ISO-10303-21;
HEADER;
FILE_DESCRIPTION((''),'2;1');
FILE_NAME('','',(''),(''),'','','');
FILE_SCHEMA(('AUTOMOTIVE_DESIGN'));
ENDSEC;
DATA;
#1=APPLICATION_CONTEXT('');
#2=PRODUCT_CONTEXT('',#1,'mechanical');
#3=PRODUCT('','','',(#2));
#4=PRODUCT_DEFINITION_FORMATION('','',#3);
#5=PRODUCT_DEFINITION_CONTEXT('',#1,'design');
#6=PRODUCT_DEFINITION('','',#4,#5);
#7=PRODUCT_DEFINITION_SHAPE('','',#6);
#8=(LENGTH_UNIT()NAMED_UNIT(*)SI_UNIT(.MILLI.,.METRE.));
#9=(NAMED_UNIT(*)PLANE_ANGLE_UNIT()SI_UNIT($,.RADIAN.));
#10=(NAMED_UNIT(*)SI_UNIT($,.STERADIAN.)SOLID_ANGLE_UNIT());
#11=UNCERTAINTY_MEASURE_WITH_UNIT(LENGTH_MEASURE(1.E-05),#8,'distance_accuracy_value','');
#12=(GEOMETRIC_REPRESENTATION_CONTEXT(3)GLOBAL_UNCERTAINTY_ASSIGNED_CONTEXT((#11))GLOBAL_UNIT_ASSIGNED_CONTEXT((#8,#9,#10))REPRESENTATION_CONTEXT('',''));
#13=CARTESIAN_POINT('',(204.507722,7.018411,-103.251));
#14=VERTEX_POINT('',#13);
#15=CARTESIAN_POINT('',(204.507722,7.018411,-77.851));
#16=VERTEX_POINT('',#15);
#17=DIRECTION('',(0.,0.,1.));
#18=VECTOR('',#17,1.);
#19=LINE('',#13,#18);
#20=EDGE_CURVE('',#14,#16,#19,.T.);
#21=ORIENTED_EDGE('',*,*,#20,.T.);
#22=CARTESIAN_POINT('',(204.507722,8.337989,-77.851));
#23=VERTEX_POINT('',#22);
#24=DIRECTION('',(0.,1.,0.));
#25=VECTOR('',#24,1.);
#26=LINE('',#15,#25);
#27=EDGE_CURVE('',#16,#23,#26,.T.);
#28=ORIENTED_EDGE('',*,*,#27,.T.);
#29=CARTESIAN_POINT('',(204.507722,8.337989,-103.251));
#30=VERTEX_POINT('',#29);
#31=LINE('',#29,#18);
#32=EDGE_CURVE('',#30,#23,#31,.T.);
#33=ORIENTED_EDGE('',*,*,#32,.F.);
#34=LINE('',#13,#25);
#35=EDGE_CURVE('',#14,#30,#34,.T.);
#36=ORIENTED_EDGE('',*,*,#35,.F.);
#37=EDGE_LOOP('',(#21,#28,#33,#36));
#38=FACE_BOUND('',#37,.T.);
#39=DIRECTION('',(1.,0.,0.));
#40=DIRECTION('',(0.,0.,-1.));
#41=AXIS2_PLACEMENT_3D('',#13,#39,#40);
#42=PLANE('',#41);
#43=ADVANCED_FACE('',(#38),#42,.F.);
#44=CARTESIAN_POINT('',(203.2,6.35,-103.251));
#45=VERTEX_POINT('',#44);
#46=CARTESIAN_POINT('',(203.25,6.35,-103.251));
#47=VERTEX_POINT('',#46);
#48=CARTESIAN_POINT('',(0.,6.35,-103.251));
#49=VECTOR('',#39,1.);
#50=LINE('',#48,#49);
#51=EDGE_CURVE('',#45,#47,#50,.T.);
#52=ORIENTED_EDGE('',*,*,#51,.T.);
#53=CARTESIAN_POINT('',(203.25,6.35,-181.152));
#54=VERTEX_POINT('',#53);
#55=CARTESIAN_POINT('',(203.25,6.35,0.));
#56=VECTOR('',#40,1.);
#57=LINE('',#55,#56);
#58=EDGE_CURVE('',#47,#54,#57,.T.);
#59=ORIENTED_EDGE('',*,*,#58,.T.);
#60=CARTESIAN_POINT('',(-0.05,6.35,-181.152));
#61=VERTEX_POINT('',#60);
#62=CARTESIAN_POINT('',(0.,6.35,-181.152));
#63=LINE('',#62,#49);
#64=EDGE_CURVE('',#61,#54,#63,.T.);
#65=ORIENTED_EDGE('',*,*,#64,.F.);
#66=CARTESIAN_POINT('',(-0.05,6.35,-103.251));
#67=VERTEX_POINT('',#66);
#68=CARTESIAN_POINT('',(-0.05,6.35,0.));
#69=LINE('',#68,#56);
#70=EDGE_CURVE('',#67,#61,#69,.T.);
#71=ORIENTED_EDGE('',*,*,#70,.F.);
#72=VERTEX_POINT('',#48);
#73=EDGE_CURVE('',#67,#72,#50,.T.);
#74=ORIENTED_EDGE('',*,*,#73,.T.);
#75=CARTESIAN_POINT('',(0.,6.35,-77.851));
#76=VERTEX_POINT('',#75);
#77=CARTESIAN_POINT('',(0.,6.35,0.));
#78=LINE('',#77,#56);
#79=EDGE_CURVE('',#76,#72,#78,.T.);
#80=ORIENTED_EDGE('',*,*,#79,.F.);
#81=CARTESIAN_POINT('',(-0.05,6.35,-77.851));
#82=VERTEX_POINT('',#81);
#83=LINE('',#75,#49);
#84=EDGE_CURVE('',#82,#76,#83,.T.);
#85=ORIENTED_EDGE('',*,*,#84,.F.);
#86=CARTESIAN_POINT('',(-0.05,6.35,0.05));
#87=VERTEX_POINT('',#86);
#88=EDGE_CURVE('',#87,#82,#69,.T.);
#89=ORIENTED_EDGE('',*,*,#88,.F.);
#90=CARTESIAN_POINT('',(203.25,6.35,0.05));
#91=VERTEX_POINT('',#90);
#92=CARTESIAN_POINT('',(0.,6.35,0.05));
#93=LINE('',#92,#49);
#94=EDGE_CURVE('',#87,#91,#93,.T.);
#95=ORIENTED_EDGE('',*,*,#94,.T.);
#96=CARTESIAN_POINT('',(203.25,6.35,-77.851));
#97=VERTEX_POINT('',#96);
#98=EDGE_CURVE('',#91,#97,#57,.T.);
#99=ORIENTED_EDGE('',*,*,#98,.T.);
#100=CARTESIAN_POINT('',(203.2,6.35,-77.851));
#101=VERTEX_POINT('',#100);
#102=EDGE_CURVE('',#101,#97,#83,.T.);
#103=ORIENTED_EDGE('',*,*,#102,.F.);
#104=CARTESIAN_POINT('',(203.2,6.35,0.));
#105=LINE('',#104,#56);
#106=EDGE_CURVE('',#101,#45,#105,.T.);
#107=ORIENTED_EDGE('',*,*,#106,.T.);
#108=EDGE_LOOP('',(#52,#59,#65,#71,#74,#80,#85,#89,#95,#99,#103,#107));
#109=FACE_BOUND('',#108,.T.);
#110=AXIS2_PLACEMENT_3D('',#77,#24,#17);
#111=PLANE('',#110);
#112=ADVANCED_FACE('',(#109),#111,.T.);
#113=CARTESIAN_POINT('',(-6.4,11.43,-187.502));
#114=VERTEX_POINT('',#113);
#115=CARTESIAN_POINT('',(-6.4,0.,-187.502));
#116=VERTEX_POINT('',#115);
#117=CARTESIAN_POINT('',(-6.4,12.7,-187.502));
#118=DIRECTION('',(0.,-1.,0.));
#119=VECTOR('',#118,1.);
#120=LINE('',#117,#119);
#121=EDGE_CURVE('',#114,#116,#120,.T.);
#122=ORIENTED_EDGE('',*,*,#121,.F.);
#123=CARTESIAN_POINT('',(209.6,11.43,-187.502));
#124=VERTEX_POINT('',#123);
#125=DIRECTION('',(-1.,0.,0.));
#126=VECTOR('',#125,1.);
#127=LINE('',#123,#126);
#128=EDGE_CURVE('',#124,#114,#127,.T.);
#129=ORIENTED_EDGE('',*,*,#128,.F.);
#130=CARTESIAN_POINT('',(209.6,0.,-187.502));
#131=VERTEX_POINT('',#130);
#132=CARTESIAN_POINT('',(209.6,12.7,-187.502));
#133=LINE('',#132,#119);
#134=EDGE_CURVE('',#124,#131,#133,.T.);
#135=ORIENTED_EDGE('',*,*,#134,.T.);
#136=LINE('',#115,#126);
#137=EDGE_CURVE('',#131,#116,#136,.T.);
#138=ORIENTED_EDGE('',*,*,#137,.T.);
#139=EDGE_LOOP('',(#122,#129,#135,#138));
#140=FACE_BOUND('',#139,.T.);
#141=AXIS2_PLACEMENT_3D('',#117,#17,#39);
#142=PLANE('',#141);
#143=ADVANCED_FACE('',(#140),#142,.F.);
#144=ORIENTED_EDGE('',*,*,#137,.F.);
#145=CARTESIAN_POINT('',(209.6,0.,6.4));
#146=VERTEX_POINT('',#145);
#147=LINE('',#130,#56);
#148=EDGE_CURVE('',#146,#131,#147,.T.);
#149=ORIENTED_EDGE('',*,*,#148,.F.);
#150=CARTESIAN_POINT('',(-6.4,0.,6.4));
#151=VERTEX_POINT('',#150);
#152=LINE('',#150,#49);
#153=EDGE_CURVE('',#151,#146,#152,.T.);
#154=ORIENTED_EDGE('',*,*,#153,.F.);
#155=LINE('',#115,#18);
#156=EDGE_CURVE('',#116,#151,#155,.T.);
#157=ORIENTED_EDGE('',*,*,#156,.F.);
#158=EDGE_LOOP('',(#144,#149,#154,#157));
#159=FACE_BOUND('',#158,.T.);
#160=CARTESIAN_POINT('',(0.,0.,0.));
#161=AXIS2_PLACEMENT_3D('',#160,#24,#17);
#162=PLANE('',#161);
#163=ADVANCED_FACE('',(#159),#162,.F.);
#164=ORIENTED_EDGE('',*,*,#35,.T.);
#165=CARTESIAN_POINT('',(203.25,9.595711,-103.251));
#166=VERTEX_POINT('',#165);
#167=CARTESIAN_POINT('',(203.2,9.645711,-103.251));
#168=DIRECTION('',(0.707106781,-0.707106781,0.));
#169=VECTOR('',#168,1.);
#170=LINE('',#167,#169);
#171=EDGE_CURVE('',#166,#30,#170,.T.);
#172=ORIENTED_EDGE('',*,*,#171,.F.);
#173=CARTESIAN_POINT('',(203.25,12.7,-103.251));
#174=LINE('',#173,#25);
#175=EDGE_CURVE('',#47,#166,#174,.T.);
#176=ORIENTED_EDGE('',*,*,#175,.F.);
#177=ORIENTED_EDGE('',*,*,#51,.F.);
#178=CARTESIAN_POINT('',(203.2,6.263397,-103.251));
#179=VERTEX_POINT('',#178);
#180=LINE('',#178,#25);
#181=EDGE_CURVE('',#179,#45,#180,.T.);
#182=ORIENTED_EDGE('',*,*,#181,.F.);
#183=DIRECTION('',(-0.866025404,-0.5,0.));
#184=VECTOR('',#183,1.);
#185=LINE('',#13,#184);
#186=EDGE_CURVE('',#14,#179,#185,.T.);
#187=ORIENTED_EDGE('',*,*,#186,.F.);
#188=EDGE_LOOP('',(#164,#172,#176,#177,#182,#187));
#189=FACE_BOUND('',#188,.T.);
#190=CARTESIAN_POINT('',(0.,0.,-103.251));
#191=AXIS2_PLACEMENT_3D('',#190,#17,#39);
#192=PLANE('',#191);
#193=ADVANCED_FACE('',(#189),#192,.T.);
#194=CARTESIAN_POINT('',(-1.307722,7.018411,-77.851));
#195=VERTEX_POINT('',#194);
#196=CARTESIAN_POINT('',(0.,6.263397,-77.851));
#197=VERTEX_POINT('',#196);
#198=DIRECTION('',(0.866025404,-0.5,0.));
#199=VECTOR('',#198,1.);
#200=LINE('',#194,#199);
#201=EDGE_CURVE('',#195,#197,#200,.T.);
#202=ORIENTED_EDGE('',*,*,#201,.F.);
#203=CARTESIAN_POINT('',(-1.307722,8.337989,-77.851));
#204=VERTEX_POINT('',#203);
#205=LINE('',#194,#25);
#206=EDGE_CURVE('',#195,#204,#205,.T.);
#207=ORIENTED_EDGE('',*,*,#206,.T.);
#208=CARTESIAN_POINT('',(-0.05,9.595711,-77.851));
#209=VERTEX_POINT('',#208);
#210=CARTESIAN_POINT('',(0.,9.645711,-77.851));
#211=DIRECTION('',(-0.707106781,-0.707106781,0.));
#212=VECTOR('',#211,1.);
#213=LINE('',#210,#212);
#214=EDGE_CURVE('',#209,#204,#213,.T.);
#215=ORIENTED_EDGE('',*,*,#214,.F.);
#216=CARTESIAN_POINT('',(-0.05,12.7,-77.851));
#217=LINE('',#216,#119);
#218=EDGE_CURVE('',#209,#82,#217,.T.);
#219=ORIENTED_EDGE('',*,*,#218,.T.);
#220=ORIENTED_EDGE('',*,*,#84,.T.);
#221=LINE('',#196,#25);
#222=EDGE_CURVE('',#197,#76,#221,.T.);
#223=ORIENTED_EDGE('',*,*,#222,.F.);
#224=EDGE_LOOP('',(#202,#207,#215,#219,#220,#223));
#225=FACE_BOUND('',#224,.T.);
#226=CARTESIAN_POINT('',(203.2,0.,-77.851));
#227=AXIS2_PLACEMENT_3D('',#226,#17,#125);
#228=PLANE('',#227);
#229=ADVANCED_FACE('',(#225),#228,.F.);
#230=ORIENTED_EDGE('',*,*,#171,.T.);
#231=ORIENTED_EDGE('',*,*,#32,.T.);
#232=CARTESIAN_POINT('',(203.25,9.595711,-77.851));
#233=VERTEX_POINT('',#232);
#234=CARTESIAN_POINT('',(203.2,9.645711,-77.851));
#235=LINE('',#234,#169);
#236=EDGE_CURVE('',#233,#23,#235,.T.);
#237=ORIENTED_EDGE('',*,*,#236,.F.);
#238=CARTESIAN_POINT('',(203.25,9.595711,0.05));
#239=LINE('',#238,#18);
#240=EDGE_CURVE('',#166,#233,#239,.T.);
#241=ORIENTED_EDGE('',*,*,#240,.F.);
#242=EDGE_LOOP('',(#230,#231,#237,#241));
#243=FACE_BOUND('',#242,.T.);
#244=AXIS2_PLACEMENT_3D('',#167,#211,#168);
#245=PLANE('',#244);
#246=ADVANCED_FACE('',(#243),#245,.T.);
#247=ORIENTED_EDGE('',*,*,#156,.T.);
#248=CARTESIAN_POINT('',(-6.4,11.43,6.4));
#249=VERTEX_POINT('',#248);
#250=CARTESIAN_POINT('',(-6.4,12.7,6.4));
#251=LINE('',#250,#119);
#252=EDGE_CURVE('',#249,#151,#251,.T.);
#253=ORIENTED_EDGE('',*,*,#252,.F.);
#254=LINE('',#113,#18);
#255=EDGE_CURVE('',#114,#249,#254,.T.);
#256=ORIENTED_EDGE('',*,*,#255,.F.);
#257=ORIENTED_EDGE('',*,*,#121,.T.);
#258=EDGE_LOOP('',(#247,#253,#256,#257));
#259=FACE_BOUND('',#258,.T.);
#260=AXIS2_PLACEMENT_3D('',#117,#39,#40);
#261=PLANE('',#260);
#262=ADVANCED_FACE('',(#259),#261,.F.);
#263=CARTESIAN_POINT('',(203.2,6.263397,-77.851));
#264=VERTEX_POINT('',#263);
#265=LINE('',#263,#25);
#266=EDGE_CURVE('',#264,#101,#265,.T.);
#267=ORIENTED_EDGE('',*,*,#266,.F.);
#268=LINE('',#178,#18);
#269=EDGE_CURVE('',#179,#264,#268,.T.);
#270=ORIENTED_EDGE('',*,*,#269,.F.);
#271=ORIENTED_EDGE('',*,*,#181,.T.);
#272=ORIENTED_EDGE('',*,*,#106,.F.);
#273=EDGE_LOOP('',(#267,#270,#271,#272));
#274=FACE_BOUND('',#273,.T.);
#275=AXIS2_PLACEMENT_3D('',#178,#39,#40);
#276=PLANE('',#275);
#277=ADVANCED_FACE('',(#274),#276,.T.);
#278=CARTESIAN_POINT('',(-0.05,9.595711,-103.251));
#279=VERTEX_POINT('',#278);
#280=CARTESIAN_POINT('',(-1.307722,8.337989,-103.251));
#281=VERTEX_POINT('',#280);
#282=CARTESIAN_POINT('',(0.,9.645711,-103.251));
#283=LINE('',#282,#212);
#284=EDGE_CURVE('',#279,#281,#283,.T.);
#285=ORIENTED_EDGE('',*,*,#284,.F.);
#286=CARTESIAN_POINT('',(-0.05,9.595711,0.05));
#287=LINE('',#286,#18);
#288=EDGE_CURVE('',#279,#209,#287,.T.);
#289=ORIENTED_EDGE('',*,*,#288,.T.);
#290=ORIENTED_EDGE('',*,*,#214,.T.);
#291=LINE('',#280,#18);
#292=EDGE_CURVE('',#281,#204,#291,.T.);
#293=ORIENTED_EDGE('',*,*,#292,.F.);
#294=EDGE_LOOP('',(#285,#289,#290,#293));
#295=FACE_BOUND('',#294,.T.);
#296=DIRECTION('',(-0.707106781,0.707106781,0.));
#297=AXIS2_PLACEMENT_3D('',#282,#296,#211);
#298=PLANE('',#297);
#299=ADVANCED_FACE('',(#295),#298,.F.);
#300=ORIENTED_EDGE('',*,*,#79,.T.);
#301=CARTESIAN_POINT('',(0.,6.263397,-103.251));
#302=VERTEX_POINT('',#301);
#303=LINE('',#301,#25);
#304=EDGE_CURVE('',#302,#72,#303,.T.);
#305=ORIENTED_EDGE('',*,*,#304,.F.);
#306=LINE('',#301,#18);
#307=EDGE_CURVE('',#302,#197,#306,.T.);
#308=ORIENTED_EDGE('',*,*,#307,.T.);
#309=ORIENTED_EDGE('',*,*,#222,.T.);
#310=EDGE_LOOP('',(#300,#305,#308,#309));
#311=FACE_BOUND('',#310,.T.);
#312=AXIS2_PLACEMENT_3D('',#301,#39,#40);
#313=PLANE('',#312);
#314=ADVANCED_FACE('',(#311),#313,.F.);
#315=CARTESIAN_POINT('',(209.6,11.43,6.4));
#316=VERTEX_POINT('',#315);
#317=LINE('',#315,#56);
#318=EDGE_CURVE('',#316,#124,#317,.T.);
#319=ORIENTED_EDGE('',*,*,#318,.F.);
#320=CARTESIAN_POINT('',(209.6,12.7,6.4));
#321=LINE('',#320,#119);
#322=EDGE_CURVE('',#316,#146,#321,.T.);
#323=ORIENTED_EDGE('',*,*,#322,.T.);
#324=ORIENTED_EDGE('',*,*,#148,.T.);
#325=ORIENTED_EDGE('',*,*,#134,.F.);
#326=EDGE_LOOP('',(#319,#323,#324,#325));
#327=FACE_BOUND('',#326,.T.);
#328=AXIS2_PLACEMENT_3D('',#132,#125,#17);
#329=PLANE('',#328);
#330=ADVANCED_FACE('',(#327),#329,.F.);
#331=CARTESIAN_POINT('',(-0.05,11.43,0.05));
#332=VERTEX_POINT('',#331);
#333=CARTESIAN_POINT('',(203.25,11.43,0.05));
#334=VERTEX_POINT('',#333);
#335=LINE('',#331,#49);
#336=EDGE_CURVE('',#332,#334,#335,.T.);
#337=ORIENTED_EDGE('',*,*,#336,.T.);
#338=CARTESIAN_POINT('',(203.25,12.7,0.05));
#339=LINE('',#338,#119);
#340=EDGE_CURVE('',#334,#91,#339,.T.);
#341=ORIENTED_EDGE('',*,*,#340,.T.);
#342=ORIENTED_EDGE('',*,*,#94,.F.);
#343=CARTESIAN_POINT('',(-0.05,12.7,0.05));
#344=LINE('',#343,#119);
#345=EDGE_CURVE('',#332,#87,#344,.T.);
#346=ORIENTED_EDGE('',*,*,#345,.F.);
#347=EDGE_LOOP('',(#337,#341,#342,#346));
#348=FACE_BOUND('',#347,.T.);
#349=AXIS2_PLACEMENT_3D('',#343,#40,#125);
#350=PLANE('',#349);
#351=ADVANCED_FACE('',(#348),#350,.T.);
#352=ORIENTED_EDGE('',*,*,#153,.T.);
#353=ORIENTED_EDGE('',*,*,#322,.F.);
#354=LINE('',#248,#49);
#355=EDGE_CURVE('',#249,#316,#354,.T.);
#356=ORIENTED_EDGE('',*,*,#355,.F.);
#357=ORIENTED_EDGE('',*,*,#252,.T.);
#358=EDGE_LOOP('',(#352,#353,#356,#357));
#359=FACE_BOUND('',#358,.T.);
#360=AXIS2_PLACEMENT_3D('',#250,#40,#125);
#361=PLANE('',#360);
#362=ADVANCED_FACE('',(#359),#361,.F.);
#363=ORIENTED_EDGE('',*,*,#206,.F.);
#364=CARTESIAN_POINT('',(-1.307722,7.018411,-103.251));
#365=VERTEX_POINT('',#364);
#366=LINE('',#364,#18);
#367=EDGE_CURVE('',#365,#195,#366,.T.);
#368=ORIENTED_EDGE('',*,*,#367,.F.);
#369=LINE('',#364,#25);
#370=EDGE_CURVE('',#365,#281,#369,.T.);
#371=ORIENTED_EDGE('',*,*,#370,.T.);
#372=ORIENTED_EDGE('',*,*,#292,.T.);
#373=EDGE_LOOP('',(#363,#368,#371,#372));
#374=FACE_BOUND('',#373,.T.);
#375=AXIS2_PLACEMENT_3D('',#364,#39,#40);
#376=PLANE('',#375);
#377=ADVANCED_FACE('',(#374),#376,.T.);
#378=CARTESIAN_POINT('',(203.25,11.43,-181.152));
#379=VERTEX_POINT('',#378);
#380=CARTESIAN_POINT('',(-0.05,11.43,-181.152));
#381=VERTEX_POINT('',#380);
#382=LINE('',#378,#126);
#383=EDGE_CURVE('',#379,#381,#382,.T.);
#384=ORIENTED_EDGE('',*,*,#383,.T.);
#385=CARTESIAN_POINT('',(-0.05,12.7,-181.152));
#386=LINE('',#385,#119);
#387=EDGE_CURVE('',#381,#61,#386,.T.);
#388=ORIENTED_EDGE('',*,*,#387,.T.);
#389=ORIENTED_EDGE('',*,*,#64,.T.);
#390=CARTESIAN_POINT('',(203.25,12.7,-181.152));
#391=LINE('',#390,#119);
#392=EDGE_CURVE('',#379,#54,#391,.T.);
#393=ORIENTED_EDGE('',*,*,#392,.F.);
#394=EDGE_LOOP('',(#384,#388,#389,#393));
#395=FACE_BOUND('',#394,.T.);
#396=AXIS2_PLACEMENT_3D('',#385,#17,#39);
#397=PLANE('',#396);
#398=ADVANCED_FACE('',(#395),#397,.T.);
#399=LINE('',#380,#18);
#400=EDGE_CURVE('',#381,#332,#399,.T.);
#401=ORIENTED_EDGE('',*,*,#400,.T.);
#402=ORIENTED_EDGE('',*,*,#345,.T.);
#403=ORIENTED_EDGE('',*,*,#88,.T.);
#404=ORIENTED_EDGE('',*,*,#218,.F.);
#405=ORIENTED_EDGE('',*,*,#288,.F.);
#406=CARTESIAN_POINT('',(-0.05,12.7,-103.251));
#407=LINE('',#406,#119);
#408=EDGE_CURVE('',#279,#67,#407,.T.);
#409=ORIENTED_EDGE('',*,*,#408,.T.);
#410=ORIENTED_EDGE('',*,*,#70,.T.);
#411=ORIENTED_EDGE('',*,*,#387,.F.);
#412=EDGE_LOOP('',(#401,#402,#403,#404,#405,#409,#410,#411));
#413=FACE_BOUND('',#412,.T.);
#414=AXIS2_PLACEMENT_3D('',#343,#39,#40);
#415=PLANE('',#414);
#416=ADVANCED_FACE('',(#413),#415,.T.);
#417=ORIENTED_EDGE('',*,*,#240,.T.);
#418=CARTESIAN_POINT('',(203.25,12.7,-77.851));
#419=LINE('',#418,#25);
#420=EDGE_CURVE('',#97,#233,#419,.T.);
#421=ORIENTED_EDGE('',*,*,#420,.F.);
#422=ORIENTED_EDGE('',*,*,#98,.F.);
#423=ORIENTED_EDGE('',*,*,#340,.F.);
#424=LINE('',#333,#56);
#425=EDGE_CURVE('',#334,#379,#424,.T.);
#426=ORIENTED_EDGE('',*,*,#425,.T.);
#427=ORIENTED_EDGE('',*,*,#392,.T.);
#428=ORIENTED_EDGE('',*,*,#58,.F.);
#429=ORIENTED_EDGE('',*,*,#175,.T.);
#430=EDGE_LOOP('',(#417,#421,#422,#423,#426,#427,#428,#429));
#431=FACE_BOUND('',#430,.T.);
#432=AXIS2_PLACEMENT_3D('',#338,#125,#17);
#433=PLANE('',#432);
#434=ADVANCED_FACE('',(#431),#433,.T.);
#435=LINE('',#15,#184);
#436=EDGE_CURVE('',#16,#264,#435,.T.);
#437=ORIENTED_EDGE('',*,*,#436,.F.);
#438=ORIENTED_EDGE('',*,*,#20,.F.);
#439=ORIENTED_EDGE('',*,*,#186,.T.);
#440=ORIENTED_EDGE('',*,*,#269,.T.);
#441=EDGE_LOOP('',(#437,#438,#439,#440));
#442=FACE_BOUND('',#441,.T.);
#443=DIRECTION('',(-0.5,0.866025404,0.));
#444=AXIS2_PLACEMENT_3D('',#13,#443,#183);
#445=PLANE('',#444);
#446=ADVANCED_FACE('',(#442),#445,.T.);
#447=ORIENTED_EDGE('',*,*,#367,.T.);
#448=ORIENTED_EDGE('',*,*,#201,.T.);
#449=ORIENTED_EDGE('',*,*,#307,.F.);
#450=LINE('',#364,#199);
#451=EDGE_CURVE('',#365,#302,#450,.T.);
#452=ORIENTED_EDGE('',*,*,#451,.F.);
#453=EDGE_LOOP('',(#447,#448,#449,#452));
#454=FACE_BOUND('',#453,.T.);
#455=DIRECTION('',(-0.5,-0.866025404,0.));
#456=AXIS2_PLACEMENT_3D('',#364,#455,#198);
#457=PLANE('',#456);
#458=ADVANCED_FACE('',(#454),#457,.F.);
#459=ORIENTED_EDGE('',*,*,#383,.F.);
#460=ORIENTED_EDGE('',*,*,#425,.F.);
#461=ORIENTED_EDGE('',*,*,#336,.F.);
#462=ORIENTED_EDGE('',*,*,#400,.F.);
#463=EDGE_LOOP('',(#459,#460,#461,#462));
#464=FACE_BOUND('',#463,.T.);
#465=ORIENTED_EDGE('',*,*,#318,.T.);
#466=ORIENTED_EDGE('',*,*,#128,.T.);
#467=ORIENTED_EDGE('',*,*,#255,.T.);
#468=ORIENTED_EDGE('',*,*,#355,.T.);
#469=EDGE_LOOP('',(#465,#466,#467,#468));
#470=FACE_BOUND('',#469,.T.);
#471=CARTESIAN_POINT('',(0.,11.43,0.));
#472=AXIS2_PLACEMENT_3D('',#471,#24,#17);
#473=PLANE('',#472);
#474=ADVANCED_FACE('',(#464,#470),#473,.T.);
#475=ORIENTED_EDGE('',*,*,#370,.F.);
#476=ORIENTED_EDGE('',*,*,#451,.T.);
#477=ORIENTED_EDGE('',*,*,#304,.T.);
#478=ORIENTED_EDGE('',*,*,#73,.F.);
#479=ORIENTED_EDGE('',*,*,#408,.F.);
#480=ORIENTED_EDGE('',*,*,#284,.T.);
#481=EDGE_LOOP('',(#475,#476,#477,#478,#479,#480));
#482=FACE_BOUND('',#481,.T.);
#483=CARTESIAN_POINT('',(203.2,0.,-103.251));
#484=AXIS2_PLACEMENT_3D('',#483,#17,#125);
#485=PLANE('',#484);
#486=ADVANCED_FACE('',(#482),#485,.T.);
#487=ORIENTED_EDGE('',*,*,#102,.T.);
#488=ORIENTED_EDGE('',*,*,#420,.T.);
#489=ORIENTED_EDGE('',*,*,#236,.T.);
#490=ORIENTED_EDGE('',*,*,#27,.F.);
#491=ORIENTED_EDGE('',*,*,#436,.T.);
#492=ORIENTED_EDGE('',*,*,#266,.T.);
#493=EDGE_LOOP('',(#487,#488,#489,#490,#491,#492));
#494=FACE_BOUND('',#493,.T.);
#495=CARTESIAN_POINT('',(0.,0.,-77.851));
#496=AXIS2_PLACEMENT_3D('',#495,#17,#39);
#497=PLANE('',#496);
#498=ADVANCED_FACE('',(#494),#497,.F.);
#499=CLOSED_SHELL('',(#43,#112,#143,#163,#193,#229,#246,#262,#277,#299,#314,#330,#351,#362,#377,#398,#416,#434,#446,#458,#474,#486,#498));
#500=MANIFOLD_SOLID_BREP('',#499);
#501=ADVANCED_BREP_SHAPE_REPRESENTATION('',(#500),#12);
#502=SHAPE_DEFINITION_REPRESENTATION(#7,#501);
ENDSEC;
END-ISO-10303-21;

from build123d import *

# Parameters (mm, degrees)
SKETCH2_W           = 216
SKETCH2_H           = 193.902
SKETCH2_W_2         = 203.3
SKETCH2_H_2         = 181.202
BOSS_EXTRUDE1_DEPTH = 12.7
SKETCH2_3_W         = 203.3
SKETCH2_3_H         = 181.202
BOSS_EXTRUDE2_DEPTH = 6.35
CUT_EXTRUDE1_DEPTH  = 12.7
SKETCH5_W           = 216
SKETCH5_H           = 193.902
CUT_EXTRUDE2_DEPTH  = 1.27


with BuildPart() as part:
    # Sketch2 → Boss-Extrude1 (new body)
    with BuildSketch(Plane(origin=(0, 0, 0), x_dir=(1, 0, 0), z_dir=(0, 1, 0))):
        with Locations((101.6, 90.551)):
            Rectangle(SKETCH2_W, SKETCH2_H)
        with Locations((101.6, 90.551)):
            Rectangle(SKETCH2_W_2, SKETCH2_H_2, mode=Mode.SUBTRACT)
    extrude(amount=BOSS_EXTRUDE1_DEPTH)

    # Sketch2<3> → Boss-Extrude2 (add)
    with BuildSketch(Plane(origin=(0, 0, 0), x_dir=(1, 0, 0), z_dir=(0, 1, 0))):
        with Locations((101.6, 90.551)):
            Rectangle(SKETCH2_3_W, SKETCH2_3_H)
    extrude(amount=BOSS_EXTRUDE2_DEPTH)

    # Sketch4 → Cut-Extrude1 (cut, symmetric)
    with BuildSketch(Plane(origin=(0, 0, -90.551), x_dir=(-1, 0, 0), z_dir=(0, 0, -1))):
        Polygon((-203.2, 9.645710678), (-204.507721606, 8.337989072), (-204.507721606, 7.018410881), (-203.2, 6.26339746), align=None)
    cut_extrude1 = extrude(amount=CUT_EXTRUDE1_DEPTH, both=True, mode=Mode.SUBTRACT)

    # Sketch5 → Cut-Extrude2 (cut)
    with BuildSketch(Plane(origin=(0, 12.7, 0), x_dir=(1, 0, 0), z_dir=(0, 1, 0))):
        with Locations((101.6, 90.551)):
            Rectangle(SKETCH5_W, SKETCH5_H)
        Polygon((203.2, 77.851), (203.2, 103.251), (203.25, 103.251), (203.25, 181.152), (-0.05, 181.152), (-0.05, -0.05), (203.25, -0.05), (203.25, 77.851), align=None, mode=Mode.SUBTRACT)
    extrude(amount=-CUT_EXTRUDE2_DEPTH, mode=Mode.SUBTRACT)

    # Mirror1: Cut-Extrude1 across plane
    add(cut_extrude1.mirror(Plane.ZY.offset(-101.6)), mode=Mode.SUBTRACT)


solid = part.part
